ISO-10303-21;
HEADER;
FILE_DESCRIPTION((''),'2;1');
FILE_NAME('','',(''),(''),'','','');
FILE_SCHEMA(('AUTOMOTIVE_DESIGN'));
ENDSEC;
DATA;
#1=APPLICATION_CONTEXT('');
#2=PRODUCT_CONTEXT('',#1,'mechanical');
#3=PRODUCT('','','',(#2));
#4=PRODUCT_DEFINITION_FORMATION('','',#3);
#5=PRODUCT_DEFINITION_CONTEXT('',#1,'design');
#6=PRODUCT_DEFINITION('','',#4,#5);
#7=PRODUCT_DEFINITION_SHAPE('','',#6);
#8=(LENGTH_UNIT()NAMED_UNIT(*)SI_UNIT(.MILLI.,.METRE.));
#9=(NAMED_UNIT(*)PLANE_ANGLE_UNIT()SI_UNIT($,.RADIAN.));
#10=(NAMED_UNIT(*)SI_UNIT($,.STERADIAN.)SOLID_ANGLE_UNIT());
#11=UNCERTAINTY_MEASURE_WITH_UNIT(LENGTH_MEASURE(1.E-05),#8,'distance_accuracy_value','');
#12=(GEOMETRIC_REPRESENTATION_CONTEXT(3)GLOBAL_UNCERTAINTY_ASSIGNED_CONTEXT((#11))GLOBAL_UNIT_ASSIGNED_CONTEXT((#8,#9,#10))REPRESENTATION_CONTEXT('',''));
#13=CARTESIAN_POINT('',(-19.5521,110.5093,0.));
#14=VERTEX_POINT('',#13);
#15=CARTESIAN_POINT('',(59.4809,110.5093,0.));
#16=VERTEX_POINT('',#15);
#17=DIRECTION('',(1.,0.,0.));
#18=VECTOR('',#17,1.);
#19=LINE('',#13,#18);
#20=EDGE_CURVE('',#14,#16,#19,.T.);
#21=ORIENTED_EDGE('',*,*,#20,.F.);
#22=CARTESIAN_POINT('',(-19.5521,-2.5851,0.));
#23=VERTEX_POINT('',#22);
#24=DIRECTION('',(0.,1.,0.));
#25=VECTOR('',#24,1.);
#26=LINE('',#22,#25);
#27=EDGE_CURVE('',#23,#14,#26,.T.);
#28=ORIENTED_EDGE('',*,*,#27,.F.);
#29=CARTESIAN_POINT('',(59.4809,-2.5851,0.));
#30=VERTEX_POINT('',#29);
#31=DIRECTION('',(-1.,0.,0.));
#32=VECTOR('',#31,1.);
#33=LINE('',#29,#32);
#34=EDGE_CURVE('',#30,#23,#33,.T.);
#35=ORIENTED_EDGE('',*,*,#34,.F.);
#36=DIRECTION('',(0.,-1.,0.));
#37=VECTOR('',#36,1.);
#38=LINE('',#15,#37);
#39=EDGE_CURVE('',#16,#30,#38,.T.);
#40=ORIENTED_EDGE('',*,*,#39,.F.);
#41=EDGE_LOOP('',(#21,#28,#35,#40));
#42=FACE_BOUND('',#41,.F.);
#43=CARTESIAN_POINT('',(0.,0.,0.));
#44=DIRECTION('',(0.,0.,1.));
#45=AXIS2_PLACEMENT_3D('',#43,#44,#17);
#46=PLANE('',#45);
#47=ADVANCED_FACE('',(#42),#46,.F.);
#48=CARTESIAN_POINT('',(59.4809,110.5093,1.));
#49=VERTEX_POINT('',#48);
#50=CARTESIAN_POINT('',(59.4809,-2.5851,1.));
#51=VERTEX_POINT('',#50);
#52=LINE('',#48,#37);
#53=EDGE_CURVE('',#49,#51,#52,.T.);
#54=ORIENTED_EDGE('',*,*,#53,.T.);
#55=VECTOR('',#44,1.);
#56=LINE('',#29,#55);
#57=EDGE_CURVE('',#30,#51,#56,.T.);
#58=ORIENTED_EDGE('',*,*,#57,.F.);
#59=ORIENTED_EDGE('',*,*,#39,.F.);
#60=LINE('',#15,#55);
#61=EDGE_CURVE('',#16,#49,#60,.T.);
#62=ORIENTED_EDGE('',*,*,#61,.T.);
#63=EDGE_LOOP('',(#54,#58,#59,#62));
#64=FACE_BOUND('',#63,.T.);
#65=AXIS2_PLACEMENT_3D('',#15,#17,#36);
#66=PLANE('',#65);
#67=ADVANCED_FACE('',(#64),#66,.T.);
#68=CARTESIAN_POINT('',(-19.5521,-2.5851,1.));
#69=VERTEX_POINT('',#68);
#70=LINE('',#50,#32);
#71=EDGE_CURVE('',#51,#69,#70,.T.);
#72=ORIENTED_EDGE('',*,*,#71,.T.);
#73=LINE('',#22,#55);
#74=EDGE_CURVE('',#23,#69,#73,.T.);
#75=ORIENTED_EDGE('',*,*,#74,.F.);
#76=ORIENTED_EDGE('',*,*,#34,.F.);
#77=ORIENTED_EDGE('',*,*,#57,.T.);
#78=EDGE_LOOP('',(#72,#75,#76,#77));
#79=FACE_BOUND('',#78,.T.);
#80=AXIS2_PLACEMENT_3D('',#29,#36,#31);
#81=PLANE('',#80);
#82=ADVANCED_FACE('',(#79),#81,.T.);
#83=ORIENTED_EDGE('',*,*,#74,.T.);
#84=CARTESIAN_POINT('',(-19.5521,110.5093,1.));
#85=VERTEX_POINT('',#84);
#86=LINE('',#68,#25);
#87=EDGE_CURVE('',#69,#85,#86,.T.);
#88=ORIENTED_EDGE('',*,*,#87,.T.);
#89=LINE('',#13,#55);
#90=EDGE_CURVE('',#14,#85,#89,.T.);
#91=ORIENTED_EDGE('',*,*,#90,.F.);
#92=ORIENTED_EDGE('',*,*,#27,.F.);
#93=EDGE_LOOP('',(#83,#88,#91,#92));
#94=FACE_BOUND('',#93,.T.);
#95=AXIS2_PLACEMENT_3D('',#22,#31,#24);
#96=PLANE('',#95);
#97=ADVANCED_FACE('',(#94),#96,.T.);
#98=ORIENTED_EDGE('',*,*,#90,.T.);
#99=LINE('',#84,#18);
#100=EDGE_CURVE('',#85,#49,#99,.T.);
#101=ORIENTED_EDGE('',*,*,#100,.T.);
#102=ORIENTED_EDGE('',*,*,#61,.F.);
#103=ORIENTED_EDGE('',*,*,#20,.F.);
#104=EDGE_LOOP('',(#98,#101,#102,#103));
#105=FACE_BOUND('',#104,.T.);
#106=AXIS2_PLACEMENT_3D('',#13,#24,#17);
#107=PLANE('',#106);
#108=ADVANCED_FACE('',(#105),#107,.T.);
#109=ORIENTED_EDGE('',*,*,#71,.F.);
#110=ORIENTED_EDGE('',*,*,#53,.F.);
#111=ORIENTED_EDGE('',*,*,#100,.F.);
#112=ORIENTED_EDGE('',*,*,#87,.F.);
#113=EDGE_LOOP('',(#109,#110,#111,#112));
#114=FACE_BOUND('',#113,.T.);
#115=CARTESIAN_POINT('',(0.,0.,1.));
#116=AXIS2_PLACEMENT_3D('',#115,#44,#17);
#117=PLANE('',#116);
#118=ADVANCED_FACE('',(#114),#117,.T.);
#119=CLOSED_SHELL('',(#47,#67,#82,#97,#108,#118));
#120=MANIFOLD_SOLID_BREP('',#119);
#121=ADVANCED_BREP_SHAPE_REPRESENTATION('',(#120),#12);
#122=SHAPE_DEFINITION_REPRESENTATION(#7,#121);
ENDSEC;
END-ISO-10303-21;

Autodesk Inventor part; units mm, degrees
ref_plane "YZ Plane" through (0, 0, 0) normal (1, 0, 0) x (0, 1, 0)
ref_plane "XZ Plane" through (0, 0, 0) normal (0, 1, 0) x (-1, 0, 0)
ref_plane "XY Plane" through (0, 0, 0) normal (0, 0, 1) x (1, 0, 0)
sketch "Skizze1" plane through (0, 0, 0) normal (0, 0, 1) x (1, 0, 0)
  line L0 (-19.5521, 110.5093) -> (59.4809, 110.5093)
  line L1 (59.4809, 110.5093) -> (59.4809, -2.5851)
  line L2 (59.4809, -2.5851) -> (-19.5521, -2.5851)
  line L3 (-19.5521, -2.5851) -> (-19.5521, 110.5093)
  point P0 (0, 0)
extrude "Extrusion1" add sketch "Skizze1" along normal blind 1
properties part number "00_PCB_Xiao_Camera_array"
